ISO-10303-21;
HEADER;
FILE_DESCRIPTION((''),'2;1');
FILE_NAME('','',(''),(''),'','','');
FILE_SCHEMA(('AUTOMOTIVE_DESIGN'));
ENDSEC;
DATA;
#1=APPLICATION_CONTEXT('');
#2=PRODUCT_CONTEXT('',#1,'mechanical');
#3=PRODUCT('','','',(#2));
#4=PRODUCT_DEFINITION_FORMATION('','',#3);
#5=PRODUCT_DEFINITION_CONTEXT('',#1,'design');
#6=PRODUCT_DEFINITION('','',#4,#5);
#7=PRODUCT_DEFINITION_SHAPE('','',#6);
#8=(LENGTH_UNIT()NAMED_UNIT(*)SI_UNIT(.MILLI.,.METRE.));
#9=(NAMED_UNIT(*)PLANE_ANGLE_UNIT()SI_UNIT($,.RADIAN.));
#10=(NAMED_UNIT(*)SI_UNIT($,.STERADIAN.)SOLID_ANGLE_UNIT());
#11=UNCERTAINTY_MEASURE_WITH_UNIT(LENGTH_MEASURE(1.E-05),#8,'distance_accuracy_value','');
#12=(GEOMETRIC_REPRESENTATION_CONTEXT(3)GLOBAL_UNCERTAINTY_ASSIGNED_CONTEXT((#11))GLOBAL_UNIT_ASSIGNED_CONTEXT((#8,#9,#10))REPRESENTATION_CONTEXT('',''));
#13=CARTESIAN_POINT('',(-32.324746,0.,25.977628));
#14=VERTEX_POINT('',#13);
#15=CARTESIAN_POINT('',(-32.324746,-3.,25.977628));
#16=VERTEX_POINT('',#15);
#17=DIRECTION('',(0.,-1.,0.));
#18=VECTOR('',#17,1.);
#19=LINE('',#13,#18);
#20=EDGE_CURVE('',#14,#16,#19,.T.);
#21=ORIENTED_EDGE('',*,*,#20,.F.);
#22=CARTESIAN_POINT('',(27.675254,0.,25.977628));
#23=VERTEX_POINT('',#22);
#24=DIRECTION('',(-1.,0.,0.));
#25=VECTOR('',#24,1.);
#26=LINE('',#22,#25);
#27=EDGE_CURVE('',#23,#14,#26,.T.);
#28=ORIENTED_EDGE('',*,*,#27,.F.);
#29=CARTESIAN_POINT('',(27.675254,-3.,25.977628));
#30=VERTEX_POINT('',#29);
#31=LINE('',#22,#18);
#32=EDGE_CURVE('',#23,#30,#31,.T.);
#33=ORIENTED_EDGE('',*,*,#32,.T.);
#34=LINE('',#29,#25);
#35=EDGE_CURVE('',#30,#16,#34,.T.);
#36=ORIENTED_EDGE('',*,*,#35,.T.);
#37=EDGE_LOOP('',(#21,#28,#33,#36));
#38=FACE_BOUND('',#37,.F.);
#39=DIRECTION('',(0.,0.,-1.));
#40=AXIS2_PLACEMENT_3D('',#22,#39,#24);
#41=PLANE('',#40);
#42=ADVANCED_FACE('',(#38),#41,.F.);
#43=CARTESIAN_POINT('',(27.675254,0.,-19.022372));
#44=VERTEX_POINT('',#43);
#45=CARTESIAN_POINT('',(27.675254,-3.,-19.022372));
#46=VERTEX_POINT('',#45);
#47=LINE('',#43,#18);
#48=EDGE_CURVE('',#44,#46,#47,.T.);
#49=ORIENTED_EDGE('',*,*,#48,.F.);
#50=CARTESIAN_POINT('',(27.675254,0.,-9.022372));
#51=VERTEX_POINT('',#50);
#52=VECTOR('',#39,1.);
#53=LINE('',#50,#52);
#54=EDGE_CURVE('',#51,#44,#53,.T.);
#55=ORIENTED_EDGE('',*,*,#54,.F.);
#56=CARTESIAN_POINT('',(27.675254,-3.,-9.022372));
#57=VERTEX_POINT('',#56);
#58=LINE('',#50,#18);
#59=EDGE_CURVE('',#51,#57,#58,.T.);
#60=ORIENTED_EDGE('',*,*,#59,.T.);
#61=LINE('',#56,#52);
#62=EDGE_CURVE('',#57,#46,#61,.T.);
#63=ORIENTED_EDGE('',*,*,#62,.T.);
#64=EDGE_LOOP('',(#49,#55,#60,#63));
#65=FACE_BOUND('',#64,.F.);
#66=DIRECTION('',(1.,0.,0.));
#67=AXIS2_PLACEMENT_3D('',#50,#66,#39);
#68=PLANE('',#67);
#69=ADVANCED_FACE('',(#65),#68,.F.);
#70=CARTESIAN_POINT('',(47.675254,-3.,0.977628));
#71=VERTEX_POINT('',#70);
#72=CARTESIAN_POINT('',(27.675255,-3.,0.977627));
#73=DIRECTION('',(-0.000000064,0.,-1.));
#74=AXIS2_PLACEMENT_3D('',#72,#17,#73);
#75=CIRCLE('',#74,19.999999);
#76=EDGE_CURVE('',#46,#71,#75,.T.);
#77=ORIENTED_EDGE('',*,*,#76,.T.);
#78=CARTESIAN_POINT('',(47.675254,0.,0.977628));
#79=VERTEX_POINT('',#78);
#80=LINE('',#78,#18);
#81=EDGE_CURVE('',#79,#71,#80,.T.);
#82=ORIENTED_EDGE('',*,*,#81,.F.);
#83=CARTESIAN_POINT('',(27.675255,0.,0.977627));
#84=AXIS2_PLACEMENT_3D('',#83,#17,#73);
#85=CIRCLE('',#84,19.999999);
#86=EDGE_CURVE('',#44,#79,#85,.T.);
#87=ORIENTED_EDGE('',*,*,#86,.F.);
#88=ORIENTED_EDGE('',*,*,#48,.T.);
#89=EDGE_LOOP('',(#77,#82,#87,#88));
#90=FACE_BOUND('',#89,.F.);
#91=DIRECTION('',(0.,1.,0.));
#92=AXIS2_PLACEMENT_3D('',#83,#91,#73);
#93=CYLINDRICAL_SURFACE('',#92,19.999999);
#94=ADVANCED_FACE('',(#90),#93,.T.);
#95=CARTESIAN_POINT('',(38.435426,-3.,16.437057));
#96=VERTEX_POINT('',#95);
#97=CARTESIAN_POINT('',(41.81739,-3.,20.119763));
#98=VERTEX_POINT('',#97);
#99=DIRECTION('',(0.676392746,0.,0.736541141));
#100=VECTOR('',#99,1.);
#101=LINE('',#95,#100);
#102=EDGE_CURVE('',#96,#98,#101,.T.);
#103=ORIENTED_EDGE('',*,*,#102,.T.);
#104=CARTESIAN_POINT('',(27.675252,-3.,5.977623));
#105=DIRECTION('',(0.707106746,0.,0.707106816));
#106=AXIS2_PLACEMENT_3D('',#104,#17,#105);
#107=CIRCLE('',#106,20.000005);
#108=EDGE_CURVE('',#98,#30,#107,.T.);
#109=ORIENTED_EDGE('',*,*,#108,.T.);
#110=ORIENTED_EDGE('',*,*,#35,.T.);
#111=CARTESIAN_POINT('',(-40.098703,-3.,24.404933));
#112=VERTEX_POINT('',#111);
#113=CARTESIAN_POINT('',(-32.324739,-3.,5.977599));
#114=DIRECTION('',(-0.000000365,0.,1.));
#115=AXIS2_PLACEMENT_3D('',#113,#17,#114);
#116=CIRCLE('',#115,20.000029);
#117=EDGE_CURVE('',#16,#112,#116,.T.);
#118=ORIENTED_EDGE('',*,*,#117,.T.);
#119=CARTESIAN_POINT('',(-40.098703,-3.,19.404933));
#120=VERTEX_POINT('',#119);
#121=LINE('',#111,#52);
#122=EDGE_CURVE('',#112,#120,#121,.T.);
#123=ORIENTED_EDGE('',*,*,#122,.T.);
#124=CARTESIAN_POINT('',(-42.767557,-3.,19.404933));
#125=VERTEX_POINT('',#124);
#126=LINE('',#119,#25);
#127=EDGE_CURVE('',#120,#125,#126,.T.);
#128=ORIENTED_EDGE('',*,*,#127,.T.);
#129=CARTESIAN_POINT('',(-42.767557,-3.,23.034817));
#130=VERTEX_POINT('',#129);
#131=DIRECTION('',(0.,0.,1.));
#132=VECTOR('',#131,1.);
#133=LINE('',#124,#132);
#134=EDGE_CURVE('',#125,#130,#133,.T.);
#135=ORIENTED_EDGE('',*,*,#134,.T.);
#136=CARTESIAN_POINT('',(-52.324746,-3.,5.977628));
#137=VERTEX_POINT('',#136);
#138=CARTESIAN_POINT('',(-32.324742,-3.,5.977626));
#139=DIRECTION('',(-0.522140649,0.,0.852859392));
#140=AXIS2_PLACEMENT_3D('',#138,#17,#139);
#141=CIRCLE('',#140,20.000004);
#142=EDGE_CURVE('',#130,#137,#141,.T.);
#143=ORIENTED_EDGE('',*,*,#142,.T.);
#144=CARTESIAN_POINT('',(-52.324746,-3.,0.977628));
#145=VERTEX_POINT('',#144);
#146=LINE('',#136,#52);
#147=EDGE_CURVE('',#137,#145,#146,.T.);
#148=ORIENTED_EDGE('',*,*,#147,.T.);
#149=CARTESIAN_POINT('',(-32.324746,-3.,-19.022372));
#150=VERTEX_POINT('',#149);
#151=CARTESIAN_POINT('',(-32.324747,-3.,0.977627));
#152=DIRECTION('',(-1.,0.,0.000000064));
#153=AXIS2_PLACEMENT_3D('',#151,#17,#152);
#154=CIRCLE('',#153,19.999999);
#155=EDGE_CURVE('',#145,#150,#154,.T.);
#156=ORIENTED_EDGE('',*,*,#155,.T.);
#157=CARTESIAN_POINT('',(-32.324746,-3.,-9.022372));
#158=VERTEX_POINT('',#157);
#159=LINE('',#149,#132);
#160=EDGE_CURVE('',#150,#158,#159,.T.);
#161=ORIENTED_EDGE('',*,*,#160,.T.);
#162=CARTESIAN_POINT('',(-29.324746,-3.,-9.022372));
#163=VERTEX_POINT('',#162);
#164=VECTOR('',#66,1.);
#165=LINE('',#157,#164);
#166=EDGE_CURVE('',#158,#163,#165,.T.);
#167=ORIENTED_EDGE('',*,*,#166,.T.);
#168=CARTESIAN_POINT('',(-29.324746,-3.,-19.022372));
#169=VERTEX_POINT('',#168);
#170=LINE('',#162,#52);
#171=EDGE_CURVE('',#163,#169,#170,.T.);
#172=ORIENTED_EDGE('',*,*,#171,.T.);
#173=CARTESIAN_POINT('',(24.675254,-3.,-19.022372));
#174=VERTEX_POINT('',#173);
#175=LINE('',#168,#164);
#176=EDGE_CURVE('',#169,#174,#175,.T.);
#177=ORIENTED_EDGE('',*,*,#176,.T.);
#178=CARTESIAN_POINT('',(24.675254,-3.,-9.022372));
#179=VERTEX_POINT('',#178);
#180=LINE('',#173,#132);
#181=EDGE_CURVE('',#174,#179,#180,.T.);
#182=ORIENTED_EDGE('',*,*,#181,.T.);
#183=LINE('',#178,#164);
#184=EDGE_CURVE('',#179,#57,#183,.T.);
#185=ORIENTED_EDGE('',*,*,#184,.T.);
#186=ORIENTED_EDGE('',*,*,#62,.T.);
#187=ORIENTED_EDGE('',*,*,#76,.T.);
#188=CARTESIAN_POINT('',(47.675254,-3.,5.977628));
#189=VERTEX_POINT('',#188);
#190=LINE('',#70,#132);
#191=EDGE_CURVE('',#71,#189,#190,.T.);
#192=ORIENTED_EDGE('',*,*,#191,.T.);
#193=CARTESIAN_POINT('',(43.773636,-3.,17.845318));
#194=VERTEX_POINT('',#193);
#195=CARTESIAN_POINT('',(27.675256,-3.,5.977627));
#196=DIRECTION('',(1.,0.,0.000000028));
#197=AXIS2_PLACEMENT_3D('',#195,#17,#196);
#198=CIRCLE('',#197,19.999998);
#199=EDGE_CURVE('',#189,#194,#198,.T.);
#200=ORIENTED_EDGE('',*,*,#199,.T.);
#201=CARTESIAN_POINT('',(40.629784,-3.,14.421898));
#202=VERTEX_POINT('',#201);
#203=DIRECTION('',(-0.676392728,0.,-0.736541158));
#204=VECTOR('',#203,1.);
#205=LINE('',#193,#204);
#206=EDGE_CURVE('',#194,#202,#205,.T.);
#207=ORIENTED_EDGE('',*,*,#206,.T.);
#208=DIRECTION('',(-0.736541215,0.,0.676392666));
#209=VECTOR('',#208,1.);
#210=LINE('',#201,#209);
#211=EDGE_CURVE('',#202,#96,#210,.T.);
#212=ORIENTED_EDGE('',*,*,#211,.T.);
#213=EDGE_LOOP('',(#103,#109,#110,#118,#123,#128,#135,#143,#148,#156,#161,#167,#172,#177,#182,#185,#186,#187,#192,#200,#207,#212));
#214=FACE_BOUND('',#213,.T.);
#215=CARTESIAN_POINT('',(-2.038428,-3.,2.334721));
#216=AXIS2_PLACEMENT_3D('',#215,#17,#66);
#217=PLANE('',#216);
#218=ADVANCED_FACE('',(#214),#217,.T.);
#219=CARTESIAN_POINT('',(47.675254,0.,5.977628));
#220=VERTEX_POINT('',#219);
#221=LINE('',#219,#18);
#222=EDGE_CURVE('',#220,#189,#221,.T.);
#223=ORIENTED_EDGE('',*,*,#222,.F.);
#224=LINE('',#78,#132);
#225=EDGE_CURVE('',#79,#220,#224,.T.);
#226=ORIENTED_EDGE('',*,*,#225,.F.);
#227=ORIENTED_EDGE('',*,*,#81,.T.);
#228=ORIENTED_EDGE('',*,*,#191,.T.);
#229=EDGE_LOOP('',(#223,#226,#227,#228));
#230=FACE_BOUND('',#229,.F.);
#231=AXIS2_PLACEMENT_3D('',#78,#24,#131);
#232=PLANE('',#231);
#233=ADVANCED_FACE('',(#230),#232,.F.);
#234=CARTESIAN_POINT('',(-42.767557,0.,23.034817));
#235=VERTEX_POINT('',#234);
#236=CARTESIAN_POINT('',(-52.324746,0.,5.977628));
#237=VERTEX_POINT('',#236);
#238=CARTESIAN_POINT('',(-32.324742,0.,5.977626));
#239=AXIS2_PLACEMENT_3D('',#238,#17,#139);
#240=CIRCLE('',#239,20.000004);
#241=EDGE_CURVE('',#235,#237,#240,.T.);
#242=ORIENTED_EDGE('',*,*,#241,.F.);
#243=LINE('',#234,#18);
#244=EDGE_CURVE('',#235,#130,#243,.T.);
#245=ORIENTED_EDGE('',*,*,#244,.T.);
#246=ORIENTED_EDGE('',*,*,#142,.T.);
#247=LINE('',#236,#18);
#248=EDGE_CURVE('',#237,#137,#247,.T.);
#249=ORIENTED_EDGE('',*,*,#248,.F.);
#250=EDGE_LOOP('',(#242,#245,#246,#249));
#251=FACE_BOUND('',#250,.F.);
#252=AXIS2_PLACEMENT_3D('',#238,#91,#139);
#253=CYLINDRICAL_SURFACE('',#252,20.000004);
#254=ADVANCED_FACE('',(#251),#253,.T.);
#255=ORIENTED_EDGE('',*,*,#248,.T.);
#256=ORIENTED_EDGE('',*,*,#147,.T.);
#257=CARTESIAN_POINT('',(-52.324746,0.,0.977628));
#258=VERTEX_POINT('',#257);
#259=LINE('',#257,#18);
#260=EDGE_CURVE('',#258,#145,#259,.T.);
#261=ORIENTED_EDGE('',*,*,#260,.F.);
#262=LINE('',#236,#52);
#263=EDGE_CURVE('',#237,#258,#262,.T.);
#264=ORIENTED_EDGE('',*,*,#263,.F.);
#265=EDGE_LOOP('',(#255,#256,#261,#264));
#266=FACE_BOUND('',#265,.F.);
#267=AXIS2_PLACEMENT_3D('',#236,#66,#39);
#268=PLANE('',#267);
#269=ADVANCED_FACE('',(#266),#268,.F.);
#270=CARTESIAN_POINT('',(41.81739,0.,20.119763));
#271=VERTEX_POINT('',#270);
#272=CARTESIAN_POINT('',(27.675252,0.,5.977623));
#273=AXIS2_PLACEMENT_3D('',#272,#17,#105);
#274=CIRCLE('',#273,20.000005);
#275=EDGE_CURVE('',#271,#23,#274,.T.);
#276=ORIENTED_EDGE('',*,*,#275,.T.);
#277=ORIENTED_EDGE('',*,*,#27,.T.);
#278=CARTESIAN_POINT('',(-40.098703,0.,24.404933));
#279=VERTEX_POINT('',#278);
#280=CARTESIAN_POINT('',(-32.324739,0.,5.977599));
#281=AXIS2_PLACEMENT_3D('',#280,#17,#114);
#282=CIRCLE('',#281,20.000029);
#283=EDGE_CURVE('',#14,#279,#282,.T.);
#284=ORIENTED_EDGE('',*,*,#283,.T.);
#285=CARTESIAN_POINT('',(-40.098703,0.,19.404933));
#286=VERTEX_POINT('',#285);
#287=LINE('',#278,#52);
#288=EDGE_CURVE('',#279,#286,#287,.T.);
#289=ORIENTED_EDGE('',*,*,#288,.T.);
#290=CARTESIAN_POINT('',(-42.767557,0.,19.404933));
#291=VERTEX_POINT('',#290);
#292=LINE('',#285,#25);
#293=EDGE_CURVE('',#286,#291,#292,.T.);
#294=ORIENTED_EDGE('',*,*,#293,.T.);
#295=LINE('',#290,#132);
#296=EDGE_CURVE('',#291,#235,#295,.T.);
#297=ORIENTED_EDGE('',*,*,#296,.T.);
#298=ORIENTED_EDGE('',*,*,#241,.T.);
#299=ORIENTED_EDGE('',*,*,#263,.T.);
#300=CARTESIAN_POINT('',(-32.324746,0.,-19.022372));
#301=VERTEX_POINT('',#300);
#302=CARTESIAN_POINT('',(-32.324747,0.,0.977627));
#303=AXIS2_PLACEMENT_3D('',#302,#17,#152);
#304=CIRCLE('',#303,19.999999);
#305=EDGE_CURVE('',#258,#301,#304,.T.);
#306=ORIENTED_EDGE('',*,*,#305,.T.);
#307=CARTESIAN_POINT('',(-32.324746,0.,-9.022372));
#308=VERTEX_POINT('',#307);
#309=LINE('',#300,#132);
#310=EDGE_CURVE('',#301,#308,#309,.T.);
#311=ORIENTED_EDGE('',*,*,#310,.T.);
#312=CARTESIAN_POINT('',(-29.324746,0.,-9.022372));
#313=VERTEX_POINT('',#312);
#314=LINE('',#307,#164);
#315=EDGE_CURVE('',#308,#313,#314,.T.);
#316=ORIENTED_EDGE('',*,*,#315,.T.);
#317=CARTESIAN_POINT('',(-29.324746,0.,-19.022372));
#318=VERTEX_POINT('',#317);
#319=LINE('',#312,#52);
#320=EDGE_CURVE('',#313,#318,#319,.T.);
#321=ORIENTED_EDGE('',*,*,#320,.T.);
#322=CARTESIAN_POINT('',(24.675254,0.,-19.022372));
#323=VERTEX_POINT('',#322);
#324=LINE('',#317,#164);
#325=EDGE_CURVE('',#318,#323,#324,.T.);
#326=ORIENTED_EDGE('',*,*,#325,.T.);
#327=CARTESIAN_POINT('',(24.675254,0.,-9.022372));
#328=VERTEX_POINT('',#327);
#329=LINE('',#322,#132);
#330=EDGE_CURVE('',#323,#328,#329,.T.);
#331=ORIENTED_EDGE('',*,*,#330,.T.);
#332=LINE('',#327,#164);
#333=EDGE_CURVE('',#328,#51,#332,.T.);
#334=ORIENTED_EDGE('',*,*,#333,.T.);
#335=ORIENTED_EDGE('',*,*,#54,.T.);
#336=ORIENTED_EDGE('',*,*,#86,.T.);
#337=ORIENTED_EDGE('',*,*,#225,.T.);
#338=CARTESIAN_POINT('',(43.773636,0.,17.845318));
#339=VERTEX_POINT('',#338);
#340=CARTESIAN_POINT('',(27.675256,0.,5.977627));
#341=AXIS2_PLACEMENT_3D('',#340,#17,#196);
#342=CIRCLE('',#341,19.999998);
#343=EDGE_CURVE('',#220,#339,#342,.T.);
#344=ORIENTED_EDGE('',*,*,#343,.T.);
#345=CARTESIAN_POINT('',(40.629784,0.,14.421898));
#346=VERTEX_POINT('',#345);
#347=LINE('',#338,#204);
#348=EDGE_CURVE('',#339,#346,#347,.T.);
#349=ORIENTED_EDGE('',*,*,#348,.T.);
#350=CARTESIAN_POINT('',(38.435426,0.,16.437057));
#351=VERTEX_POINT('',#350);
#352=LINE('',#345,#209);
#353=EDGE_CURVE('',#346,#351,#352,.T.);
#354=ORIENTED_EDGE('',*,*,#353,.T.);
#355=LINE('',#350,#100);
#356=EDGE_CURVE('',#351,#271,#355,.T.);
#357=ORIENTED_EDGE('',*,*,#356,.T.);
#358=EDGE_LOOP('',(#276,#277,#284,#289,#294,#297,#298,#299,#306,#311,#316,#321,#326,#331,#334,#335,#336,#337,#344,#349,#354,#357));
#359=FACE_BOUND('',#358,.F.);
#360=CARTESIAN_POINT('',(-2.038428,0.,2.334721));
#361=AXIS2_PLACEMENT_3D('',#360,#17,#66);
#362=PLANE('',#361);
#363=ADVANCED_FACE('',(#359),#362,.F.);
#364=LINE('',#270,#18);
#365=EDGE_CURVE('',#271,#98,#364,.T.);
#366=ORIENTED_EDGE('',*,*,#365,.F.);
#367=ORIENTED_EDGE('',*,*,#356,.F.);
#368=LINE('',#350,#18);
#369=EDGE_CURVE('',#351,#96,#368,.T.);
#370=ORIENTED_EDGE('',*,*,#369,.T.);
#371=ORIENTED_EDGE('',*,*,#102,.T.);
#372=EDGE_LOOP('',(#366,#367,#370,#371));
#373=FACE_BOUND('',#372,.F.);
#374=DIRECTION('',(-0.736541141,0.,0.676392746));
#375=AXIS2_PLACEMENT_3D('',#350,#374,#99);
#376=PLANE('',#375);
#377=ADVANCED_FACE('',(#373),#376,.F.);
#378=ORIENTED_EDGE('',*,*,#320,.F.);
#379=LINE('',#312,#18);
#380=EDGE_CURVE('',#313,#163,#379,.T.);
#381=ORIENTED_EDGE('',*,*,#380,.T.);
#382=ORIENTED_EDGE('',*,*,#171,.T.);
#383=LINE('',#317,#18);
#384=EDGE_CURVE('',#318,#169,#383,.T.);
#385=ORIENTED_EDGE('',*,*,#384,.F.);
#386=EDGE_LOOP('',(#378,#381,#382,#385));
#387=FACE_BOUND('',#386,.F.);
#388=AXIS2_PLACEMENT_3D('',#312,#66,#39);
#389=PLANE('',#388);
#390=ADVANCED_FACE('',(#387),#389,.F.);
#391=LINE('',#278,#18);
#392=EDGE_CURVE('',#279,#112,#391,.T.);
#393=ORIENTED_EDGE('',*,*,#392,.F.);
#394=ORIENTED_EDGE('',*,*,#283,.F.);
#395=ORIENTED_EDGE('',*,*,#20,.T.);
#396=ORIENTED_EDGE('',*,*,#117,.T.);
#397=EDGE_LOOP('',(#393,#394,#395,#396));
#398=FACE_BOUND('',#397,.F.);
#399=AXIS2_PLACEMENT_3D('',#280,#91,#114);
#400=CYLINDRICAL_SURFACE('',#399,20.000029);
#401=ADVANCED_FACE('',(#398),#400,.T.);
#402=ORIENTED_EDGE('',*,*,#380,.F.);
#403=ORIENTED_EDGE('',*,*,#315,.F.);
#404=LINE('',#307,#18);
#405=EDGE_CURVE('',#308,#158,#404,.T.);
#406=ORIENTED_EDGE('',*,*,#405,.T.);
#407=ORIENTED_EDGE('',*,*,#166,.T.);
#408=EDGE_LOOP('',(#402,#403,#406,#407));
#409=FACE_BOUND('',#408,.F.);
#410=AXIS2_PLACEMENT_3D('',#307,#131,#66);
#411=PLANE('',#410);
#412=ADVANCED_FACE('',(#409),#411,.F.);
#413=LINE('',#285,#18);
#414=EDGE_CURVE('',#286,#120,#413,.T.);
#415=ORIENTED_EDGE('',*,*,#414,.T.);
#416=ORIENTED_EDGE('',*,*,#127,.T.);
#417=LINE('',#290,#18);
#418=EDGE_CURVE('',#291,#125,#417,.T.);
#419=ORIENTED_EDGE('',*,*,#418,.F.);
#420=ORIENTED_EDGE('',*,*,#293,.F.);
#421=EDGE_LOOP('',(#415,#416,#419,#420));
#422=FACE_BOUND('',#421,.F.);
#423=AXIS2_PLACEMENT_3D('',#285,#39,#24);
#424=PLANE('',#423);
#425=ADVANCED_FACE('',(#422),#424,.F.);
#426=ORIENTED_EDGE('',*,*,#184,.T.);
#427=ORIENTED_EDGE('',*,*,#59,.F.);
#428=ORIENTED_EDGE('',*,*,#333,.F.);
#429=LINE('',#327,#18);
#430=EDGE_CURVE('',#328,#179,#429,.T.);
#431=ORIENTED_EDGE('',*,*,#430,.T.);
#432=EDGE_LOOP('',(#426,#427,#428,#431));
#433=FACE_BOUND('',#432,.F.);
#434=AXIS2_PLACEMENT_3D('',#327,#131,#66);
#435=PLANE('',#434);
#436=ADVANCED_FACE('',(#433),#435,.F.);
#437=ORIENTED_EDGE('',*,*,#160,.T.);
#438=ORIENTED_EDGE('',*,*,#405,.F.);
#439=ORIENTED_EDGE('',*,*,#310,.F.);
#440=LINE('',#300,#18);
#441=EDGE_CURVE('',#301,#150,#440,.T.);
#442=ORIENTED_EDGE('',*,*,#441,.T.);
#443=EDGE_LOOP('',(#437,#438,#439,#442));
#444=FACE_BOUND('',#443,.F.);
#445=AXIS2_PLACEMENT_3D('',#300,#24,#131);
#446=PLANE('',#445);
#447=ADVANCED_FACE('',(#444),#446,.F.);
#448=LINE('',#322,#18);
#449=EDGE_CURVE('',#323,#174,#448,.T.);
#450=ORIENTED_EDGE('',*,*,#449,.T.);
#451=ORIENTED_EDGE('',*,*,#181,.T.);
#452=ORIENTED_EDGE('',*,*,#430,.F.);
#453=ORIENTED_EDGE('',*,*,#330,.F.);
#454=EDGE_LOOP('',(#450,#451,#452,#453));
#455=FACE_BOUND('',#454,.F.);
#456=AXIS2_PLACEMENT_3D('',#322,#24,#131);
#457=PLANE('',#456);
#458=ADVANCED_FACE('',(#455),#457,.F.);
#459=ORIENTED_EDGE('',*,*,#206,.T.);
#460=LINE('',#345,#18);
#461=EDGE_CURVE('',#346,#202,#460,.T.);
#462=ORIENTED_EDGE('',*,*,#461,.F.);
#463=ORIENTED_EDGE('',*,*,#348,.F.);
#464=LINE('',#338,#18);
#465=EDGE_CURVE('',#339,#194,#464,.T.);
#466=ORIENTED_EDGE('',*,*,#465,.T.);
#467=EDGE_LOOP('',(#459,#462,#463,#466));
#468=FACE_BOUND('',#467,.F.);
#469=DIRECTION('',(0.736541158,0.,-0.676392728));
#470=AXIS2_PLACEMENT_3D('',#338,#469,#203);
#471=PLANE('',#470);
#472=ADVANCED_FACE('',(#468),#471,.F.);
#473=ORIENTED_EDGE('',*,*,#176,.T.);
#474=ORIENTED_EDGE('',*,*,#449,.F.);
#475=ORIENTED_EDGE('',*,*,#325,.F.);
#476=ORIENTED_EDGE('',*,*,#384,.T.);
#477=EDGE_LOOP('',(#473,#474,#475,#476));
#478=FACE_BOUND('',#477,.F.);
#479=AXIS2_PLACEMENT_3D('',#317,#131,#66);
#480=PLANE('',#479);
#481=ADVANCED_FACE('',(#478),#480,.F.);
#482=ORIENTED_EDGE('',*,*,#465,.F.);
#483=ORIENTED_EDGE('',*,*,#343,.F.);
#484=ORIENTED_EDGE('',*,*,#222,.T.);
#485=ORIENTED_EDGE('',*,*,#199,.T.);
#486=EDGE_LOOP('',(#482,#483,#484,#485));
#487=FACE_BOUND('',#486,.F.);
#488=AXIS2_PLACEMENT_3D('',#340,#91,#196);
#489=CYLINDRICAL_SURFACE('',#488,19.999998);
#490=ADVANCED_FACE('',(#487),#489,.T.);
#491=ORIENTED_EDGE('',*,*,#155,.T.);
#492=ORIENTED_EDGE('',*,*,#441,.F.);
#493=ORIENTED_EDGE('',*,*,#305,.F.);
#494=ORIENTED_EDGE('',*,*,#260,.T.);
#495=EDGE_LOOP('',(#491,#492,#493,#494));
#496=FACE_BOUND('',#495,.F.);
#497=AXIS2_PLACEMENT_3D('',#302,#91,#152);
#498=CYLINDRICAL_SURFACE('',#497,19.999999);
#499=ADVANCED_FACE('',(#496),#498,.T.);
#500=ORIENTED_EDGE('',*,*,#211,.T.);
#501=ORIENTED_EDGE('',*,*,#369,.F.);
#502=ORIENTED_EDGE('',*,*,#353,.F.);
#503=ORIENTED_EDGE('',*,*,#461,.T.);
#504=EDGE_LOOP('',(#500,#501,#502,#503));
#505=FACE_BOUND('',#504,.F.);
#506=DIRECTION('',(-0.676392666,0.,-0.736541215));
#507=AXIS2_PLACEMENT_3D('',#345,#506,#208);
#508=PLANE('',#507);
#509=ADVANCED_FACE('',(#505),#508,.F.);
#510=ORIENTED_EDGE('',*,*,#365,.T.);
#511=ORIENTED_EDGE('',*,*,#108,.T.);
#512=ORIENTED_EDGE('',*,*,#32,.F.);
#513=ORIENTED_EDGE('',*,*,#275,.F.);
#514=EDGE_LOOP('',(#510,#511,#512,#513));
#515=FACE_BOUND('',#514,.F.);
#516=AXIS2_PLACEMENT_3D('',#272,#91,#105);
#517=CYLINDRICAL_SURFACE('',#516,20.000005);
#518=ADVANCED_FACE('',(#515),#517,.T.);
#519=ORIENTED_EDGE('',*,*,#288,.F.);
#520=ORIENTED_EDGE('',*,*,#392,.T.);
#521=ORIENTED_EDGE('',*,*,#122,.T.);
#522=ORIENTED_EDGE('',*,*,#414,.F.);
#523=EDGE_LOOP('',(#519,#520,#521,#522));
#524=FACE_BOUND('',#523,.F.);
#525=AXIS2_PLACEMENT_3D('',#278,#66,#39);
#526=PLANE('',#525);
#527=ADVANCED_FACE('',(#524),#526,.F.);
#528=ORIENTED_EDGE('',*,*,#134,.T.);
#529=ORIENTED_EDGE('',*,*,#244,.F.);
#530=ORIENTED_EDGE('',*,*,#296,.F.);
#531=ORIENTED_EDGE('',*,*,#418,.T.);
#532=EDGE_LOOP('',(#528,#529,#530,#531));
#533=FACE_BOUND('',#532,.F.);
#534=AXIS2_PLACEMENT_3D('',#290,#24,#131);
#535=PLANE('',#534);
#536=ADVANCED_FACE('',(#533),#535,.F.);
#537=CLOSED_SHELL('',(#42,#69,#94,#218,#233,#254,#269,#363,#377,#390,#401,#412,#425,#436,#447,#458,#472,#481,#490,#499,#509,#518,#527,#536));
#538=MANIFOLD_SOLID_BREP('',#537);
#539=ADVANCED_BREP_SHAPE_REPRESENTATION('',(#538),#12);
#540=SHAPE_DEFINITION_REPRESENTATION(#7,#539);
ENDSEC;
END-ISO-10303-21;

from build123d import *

# Parameters (mm, degrees)
F1_DEPTH = 3


with BuildPart() as f1:
    # F0 (on Front) → F1 (new body)
    with BuildSketch(Plane.XZ):
        with BuildLine():
            Line((27.675254, 25.977628), (-32.324746, 25.977628))
            ThreePointArc((-32.324746, 25.977628), (-36.290467, 25.580511), (-40.098703, 24.404933))
            Line((-40.098703, 24.404933), (-40.098703, 19.404933))
            Line((-40.098703, 19.404933), (-42.767557, 19.404933))
            Line((-42.767557, 19.404933), (-42.767557, 23.034817))
            ThreePointArc((-42.767557, 23.034817), (-49.772614, 15.753715), (-52.324746, 5.977628))
            Line((-52.324746, 5.977628), (-52.324746, 0.977628))
            ThreePointArc((-52.324746, 0.977628), (-46.466882, -13.164508), (-32.324746, -19.022372))
            Line((-32.324746, -19.022372), (-32.324746, -9.022372))
            Line((-32.324746, -9.022372), (-29.324746, -9.022372))
            Line((-29.324746, -9.022372), (-29.324746, -19.022372))
            Line((-29.324746, -19.022372), (24.675254, -19.022372))
            Line((24.675254, -19.022372), (24.675254, -9.022372))
            Line((24.675254, -9.022372), (27.675254, -9.022372))
            Line((27.675254, -9.022372), (27.675254, -19.022372))
            ThreePointArc((27.675254, -19.022372), (41.81739, -13.164508), (47.675254, 0.977628))
            Line((47.675254, 0.977628), (47.675254, 5.977628))
            ThreePointArc((47.675254, 5.977628), (46.674828, 12.223921), (43.773636, 17.845318))
            Line((43.773636, 17.845318), (40.629784, 14.421898))
            Line((40.629784, 14.421898), (38.435426, 16.437057))
            Line((38.435426, 16.437057), (41.81739, 20.119763))
            ThreePointArc((41.81739, 20.119763), (35.328923, 24.455218), (27.675254, 25.977628))
        make_face()
    extrude(amount=F1_DEPTH)


solid = f1.part
